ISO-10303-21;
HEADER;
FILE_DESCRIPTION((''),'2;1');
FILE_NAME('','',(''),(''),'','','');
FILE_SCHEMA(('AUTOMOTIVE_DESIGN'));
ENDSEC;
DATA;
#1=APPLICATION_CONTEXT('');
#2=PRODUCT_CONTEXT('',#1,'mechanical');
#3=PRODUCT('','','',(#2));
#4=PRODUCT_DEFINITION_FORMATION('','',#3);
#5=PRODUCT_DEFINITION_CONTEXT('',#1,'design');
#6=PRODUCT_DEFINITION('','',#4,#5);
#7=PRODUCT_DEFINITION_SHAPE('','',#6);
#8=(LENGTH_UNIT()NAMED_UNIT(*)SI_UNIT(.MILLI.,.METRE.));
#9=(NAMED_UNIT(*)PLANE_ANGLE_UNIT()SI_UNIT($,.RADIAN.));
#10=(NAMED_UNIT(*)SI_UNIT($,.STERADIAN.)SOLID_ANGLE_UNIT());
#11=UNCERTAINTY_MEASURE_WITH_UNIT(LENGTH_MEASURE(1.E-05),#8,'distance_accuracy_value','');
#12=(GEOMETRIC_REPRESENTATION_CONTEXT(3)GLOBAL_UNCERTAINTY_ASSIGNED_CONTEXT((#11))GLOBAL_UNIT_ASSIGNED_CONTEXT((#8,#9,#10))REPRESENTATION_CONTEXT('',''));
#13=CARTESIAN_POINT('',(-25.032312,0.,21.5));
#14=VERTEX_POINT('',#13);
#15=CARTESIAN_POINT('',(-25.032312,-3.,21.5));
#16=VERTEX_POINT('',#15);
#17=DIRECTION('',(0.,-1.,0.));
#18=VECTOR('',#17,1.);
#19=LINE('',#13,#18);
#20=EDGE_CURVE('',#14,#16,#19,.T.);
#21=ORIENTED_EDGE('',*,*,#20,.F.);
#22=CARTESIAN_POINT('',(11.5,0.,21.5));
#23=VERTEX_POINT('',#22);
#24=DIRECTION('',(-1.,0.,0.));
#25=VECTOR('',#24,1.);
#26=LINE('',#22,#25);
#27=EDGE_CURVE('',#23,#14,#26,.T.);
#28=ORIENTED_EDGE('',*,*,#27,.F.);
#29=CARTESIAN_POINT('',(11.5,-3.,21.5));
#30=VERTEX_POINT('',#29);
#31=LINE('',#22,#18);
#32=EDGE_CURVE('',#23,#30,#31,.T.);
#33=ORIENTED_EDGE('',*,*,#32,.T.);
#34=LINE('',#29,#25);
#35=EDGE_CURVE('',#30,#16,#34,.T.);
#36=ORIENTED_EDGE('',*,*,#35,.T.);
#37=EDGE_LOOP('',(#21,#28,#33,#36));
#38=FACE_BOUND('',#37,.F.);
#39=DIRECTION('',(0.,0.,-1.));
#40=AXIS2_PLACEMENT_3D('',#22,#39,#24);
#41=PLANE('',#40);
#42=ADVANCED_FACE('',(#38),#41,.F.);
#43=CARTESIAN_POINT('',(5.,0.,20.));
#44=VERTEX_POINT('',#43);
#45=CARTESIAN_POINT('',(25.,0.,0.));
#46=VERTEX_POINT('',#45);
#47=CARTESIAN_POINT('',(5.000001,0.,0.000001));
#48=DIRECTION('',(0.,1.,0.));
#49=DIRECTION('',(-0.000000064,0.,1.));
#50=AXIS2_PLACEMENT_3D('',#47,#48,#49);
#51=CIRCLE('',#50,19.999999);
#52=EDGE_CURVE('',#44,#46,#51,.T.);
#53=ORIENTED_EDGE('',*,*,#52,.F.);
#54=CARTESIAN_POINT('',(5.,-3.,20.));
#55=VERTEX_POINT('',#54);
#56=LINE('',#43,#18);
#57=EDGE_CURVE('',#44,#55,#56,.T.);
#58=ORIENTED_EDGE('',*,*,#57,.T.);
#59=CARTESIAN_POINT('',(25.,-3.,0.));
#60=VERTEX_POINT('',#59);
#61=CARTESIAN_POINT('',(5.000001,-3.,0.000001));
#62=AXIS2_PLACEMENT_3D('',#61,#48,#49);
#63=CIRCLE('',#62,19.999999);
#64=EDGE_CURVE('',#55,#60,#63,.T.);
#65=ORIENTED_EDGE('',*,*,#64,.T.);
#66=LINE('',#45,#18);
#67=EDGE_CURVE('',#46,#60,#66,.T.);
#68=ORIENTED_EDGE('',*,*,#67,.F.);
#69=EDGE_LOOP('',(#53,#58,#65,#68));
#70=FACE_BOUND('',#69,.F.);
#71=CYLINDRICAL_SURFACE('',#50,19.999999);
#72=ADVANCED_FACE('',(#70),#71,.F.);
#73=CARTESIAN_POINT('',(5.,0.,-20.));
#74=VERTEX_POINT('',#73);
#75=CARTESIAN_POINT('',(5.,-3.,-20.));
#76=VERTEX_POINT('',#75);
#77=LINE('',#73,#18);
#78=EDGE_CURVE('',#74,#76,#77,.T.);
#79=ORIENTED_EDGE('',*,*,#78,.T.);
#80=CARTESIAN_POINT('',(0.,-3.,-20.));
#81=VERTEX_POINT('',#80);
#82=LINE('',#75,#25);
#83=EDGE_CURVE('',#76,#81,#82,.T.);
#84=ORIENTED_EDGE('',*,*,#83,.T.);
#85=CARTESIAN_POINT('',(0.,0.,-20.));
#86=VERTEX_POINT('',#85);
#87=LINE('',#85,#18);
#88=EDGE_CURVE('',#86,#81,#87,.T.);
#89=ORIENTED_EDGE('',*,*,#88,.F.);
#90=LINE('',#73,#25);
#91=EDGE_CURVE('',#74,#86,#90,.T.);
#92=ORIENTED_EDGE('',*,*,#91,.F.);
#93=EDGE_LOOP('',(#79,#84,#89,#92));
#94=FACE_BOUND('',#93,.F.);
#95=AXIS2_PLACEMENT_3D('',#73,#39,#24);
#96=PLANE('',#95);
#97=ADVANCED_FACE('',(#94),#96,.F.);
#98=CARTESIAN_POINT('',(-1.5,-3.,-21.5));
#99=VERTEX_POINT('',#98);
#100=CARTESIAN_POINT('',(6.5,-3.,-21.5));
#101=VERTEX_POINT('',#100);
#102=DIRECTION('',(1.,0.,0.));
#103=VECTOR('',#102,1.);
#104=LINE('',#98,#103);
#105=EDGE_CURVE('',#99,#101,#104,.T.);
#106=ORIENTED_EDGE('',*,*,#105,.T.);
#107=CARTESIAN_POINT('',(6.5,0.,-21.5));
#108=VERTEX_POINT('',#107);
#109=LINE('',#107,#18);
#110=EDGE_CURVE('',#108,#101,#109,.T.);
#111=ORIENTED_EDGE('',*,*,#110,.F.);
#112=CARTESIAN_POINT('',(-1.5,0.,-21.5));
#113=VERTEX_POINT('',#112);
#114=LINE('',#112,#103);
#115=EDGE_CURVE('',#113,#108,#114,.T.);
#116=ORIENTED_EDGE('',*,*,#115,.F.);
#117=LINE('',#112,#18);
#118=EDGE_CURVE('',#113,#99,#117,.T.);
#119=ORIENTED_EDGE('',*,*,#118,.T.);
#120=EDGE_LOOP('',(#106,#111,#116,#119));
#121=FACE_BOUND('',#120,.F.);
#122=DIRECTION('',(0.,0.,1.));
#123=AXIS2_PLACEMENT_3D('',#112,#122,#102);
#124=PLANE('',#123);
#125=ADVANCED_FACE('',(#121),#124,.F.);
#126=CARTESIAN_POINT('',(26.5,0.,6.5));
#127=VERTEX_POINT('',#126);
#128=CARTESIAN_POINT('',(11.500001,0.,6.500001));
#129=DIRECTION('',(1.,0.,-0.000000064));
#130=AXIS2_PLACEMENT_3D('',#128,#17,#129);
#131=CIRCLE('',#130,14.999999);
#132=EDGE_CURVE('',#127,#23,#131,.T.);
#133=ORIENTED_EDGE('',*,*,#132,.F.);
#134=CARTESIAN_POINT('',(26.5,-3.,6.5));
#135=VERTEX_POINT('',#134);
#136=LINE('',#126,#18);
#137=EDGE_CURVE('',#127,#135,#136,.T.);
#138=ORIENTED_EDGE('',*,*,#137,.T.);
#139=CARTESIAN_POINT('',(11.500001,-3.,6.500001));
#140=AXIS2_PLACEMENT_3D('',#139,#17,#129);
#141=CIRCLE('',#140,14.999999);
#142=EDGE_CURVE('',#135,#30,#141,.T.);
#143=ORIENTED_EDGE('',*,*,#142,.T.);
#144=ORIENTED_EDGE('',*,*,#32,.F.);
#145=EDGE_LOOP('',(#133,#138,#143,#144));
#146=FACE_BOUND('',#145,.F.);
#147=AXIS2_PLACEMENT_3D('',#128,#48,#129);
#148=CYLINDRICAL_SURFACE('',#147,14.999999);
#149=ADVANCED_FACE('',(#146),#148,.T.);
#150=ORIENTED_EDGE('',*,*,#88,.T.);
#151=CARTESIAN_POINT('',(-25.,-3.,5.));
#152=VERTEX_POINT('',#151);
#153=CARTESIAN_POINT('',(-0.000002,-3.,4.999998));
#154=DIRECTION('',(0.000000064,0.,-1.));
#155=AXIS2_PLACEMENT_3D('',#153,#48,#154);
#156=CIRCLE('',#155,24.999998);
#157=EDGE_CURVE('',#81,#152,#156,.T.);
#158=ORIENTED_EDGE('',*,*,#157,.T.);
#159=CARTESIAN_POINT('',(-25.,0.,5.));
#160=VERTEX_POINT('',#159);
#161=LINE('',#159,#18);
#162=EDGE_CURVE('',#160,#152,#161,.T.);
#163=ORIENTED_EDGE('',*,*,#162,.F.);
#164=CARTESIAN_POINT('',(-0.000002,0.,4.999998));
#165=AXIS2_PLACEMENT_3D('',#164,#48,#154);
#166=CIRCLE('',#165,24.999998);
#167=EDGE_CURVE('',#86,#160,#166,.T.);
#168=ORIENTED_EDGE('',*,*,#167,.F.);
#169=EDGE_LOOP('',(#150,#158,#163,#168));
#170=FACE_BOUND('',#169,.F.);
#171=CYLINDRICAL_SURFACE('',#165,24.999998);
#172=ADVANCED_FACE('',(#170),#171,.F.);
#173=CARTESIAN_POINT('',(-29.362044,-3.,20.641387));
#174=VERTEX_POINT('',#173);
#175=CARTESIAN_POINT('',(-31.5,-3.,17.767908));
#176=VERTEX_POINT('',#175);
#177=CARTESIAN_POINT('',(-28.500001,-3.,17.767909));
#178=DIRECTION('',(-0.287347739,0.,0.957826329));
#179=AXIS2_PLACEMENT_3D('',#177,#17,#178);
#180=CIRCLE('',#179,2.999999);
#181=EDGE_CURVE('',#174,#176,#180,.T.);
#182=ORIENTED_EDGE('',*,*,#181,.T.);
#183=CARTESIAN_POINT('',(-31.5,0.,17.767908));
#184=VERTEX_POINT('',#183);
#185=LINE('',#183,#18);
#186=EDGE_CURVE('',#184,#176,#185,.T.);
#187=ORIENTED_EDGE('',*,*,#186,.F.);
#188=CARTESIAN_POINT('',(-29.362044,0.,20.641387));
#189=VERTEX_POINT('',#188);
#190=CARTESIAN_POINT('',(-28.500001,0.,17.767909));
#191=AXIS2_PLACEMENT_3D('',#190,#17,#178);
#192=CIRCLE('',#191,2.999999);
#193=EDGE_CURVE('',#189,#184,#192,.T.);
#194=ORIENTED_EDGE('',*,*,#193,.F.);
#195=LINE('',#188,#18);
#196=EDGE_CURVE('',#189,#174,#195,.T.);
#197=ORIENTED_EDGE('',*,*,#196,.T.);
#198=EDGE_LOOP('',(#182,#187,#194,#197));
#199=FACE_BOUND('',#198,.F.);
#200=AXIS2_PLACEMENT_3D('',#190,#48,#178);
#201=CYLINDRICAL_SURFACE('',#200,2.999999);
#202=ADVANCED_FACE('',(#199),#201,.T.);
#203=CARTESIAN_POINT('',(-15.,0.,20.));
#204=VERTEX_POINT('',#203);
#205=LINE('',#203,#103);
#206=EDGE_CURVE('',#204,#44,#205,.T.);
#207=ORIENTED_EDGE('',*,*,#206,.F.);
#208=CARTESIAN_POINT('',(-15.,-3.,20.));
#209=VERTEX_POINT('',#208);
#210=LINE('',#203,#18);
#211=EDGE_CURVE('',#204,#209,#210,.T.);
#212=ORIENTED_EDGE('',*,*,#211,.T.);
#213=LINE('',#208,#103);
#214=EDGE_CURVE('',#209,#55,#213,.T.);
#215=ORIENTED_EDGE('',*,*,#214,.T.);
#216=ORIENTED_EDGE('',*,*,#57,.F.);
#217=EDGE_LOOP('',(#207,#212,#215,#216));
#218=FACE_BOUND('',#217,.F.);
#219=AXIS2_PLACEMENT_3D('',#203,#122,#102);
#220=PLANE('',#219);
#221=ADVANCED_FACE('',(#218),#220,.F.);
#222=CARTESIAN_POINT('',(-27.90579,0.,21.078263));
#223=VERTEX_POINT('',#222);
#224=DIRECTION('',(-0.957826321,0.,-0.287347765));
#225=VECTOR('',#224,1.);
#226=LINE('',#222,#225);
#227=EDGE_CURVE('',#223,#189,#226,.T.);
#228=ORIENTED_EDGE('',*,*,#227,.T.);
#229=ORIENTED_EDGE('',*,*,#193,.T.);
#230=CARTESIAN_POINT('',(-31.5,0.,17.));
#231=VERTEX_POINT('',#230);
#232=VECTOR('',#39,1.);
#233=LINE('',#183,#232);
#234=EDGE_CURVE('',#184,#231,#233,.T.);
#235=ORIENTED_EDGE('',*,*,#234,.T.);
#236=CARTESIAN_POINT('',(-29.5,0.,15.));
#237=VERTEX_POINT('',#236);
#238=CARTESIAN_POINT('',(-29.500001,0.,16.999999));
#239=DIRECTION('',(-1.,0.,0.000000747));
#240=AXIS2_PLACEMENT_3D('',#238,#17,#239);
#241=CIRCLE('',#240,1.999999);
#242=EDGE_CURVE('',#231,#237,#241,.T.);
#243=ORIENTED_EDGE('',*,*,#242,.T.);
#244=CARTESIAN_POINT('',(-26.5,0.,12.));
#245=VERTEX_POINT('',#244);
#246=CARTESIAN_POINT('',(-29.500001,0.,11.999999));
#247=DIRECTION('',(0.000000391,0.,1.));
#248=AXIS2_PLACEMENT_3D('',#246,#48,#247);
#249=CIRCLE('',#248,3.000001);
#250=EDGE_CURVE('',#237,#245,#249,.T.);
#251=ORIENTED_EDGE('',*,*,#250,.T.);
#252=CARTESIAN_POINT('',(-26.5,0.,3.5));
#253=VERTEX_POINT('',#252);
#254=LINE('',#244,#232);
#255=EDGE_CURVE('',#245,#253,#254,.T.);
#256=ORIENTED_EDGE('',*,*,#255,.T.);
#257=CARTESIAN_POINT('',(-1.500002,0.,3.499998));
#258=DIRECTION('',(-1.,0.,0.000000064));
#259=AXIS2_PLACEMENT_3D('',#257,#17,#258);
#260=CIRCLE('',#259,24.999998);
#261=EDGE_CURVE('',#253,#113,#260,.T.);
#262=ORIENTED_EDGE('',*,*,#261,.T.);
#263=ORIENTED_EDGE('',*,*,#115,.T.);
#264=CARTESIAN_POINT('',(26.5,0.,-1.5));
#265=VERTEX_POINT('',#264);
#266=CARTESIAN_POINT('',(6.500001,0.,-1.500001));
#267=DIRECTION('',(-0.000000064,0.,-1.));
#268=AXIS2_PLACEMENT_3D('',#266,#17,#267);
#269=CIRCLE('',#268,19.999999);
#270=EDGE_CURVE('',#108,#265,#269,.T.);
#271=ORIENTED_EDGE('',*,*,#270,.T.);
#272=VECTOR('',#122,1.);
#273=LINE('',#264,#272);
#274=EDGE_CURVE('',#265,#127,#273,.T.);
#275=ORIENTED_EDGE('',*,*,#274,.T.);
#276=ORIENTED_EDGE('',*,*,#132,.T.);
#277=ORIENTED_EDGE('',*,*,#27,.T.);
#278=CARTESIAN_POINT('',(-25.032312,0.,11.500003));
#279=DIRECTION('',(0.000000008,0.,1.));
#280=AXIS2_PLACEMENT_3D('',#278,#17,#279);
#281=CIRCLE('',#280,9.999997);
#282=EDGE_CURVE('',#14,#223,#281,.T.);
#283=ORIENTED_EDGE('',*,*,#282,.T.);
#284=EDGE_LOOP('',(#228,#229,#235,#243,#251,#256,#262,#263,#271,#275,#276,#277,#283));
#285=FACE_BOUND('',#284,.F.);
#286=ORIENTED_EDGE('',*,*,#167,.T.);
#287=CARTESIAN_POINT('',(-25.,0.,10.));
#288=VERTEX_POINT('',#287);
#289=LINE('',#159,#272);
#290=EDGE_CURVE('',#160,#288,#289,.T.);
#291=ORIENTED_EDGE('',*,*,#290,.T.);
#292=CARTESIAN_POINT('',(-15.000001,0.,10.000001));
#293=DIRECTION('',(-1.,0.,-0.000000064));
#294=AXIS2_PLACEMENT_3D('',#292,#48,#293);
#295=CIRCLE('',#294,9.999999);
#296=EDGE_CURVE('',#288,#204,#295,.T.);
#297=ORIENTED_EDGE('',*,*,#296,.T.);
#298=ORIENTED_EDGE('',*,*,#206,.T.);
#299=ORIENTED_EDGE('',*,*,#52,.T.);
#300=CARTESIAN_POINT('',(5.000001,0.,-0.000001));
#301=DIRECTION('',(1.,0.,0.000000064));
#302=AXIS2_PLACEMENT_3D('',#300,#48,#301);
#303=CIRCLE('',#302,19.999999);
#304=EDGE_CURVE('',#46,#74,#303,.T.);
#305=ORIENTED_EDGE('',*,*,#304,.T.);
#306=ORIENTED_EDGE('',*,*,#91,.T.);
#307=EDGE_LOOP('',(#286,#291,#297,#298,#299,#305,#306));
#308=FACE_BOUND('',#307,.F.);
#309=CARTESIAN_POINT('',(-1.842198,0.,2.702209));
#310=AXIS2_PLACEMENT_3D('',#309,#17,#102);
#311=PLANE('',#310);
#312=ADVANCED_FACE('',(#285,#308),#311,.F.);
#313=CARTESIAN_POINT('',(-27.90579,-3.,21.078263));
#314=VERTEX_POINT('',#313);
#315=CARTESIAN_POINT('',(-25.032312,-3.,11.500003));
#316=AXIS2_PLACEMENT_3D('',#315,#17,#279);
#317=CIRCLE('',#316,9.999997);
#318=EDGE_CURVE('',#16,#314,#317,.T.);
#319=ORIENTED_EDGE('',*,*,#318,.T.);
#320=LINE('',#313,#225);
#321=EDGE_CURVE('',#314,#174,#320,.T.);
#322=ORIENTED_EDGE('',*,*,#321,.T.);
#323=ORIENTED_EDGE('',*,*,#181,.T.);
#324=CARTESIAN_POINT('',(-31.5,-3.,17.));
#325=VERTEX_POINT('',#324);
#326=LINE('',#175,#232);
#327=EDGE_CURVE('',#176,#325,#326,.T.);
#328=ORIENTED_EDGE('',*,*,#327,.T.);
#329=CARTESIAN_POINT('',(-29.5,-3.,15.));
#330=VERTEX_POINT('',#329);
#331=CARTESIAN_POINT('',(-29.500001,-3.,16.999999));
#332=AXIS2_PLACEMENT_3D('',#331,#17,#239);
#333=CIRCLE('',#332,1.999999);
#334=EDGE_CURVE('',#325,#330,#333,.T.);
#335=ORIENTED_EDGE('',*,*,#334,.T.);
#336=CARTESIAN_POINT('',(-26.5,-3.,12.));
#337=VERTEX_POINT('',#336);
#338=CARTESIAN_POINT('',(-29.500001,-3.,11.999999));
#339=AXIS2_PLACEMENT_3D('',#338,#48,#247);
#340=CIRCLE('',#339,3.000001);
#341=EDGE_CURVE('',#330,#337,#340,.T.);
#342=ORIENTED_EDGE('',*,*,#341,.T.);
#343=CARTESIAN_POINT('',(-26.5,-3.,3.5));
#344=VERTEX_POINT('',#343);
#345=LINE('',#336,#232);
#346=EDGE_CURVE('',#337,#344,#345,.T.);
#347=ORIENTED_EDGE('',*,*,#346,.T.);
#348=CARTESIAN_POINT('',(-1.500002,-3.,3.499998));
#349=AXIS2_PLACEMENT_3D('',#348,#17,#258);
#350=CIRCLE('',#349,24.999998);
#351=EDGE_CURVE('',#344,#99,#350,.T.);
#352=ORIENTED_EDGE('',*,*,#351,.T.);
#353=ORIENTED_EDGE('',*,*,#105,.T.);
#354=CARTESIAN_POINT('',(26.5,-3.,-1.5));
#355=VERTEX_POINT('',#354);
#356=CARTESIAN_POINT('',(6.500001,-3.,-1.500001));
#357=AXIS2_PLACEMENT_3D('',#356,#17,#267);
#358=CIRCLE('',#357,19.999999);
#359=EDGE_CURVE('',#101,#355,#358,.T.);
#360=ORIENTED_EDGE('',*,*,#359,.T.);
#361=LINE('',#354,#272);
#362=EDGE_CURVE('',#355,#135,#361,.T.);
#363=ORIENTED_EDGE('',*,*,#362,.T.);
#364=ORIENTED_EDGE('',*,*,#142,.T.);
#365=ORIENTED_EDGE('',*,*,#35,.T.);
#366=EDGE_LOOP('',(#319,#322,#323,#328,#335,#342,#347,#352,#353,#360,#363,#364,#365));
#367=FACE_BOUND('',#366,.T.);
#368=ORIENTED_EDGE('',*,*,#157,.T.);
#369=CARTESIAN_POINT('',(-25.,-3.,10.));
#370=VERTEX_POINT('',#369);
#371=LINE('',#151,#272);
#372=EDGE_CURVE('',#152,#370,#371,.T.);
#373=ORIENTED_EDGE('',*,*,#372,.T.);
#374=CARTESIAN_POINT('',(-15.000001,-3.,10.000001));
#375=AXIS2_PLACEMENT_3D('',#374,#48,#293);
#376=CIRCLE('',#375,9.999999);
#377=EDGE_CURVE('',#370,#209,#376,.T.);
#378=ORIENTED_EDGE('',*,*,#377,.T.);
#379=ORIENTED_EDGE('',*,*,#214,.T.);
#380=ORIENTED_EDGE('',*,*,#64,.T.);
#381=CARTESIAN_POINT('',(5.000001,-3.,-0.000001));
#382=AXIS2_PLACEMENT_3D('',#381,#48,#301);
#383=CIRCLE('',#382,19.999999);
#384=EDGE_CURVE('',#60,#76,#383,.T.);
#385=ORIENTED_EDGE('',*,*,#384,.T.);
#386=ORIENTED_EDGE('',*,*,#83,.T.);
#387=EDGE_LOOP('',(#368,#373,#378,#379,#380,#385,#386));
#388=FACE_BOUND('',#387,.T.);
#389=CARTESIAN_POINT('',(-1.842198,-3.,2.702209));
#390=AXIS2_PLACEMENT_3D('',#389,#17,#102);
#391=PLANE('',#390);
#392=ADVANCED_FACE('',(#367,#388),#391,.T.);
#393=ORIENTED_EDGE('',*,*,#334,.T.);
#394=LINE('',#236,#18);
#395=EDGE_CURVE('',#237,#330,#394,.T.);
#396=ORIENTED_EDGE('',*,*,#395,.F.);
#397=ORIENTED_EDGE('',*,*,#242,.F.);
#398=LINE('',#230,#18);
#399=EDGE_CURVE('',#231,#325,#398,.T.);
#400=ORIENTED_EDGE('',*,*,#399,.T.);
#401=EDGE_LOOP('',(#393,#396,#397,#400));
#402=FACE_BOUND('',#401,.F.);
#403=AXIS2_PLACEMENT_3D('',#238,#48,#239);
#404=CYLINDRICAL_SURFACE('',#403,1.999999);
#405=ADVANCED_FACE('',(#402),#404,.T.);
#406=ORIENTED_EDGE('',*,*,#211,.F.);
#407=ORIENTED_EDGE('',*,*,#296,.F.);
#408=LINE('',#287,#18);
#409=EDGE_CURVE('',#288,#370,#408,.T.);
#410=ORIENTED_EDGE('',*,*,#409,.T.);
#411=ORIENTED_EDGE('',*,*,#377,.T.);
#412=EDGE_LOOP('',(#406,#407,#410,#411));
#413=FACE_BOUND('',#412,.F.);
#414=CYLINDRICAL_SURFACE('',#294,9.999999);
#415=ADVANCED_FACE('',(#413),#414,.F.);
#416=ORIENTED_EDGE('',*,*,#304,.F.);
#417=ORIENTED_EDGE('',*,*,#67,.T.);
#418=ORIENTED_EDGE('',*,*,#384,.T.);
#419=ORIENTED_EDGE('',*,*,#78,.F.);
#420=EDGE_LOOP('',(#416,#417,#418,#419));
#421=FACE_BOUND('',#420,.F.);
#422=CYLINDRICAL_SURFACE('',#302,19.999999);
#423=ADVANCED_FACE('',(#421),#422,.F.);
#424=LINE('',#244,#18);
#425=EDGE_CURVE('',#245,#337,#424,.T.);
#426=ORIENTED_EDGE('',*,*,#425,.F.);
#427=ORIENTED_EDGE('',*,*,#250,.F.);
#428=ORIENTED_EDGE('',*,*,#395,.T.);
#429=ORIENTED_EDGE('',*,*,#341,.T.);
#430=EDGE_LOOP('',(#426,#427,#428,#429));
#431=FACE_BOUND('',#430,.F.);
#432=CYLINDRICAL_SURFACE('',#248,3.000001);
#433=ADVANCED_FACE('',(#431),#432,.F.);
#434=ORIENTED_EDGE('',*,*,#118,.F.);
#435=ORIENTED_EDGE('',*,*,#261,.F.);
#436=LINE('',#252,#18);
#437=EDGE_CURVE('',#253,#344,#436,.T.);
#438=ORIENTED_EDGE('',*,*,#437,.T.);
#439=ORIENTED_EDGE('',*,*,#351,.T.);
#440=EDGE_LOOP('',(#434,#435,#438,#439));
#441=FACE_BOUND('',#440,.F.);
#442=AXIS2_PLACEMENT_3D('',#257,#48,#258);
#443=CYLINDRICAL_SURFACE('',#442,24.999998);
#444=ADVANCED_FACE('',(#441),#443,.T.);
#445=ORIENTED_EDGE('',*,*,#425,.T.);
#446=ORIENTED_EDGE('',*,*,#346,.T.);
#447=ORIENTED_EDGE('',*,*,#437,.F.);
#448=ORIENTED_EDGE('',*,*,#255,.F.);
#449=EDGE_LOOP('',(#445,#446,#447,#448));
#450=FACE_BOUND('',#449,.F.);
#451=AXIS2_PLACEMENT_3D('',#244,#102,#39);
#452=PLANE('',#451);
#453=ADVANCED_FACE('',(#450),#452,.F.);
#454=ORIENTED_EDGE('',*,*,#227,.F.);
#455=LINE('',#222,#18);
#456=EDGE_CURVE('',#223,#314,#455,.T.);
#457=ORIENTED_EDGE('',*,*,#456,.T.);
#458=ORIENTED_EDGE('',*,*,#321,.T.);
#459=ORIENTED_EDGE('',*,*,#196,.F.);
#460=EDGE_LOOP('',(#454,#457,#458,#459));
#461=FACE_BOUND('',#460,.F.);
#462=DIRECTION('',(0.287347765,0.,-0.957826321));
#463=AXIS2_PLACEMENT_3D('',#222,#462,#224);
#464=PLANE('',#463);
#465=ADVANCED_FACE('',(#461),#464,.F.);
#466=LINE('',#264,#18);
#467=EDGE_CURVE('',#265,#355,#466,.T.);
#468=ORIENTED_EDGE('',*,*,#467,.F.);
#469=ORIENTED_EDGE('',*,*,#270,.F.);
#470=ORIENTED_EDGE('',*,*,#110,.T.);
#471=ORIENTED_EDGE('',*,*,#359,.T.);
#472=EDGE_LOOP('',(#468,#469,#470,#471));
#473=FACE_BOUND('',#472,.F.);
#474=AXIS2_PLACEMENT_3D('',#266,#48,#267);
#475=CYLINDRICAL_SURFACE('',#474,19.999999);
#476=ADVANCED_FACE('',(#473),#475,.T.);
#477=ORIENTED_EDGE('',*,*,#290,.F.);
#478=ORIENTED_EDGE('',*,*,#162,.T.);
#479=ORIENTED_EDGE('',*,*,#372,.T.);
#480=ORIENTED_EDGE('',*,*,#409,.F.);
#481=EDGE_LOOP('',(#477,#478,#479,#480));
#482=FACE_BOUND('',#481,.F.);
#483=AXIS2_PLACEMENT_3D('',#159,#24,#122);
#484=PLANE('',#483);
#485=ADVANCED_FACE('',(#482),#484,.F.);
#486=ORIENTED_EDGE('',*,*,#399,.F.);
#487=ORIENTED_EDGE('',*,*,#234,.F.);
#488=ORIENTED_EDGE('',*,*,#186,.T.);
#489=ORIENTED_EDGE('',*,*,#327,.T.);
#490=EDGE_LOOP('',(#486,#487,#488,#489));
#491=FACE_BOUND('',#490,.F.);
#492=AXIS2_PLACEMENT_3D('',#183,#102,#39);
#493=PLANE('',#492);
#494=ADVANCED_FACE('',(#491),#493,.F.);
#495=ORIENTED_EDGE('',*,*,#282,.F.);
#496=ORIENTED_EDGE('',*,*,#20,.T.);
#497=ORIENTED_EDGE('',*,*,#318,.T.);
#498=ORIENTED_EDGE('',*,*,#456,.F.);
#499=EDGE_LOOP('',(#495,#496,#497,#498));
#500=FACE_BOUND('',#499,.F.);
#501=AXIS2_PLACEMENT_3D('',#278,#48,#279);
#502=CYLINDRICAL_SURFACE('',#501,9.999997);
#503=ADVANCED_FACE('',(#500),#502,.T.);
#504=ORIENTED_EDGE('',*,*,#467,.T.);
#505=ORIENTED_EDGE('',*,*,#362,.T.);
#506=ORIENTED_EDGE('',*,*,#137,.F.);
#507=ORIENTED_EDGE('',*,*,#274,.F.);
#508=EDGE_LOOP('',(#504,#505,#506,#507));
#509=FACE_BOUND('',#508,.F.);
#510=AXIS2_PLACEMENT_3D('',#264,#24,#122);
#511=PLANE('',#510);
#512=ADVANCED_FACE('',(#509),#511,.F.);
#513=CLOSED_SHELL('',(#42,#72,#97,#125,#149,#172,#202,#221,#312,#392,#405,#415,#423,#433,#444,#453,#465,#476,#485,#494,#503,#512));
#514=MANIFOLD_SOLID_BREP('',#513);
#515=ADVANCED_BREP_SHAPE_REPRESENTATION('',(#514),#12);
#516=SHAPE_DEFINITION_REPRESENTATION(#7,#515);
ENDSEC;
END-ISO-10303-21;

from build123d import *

# Parameters (mm, degrees)
F1_DEPTH = 3


with BuildPart() as f1:
    # F0 (on Front) → F1 (new body)
    with BuildSketch(Plane.XZ):
        with BuildLine():
            ThreePointArc((26.5, 6.5), (22.106602, 17.106602), (11.5, 21.5))
            Line((11.5, 21.5), (-25.032312, 21.5))
            ThreePointArc((-25.032312, 21.5), (-26.484443, 21.394004), (-27.90579, 21.078263))
            Line((-27.90579, 21.078263), (-29.362044, 20.641387))
            ThreePointArc((-29.362044, 20.641387), (-30.906879, 19.5587), (-31.5, 17.767908))
            Line((-31.5, 17.767908), (-31.5, 17))
            ThreePointArc((-31.5, 17), (-30.914214, 15.585786), (-29.5, 15))
            ThreePointArc((-29.5, 15), (-27.37868, 14.12132), (-26.5, 12))
            Line((-26.5, 12), (-26.5, 3.5))
            ThreePointArc((-26.5, 3.5), (-19.17767, -14.17767), (-1.5, -21.5))
            Line((-1.5, -21.5), (6.5, -21.5))
            ThreePointArc((6.5, -21.5), (20.642136, -15.642136), (26.5, -1.5))
            Line((26.5, -1.5), (26.5, 6.5))
        make_face()
        with BuildLine():
            Line((-15, 20), (5, 20))
            ThreePointArc((5, 20), (19.142136, 14.142136), (25, 0))
            ThreePointArc((25, 0), (19.142136, -14.142136), (5, -20))
            Line((5, -20), (0, -20))
            ThreePointArc((0, -20), (-17.67767, -12.67767), (-25, 5))
            Line((-25, 5), (-25, 10))
            ThreePointArc((-25, 10), (-22.071068, 17.071068), (-15, 20))
        make_face(mode=Mode.SUBTRACT)
    extrude(amount=F1_DEPTH)


solid = f1.part
